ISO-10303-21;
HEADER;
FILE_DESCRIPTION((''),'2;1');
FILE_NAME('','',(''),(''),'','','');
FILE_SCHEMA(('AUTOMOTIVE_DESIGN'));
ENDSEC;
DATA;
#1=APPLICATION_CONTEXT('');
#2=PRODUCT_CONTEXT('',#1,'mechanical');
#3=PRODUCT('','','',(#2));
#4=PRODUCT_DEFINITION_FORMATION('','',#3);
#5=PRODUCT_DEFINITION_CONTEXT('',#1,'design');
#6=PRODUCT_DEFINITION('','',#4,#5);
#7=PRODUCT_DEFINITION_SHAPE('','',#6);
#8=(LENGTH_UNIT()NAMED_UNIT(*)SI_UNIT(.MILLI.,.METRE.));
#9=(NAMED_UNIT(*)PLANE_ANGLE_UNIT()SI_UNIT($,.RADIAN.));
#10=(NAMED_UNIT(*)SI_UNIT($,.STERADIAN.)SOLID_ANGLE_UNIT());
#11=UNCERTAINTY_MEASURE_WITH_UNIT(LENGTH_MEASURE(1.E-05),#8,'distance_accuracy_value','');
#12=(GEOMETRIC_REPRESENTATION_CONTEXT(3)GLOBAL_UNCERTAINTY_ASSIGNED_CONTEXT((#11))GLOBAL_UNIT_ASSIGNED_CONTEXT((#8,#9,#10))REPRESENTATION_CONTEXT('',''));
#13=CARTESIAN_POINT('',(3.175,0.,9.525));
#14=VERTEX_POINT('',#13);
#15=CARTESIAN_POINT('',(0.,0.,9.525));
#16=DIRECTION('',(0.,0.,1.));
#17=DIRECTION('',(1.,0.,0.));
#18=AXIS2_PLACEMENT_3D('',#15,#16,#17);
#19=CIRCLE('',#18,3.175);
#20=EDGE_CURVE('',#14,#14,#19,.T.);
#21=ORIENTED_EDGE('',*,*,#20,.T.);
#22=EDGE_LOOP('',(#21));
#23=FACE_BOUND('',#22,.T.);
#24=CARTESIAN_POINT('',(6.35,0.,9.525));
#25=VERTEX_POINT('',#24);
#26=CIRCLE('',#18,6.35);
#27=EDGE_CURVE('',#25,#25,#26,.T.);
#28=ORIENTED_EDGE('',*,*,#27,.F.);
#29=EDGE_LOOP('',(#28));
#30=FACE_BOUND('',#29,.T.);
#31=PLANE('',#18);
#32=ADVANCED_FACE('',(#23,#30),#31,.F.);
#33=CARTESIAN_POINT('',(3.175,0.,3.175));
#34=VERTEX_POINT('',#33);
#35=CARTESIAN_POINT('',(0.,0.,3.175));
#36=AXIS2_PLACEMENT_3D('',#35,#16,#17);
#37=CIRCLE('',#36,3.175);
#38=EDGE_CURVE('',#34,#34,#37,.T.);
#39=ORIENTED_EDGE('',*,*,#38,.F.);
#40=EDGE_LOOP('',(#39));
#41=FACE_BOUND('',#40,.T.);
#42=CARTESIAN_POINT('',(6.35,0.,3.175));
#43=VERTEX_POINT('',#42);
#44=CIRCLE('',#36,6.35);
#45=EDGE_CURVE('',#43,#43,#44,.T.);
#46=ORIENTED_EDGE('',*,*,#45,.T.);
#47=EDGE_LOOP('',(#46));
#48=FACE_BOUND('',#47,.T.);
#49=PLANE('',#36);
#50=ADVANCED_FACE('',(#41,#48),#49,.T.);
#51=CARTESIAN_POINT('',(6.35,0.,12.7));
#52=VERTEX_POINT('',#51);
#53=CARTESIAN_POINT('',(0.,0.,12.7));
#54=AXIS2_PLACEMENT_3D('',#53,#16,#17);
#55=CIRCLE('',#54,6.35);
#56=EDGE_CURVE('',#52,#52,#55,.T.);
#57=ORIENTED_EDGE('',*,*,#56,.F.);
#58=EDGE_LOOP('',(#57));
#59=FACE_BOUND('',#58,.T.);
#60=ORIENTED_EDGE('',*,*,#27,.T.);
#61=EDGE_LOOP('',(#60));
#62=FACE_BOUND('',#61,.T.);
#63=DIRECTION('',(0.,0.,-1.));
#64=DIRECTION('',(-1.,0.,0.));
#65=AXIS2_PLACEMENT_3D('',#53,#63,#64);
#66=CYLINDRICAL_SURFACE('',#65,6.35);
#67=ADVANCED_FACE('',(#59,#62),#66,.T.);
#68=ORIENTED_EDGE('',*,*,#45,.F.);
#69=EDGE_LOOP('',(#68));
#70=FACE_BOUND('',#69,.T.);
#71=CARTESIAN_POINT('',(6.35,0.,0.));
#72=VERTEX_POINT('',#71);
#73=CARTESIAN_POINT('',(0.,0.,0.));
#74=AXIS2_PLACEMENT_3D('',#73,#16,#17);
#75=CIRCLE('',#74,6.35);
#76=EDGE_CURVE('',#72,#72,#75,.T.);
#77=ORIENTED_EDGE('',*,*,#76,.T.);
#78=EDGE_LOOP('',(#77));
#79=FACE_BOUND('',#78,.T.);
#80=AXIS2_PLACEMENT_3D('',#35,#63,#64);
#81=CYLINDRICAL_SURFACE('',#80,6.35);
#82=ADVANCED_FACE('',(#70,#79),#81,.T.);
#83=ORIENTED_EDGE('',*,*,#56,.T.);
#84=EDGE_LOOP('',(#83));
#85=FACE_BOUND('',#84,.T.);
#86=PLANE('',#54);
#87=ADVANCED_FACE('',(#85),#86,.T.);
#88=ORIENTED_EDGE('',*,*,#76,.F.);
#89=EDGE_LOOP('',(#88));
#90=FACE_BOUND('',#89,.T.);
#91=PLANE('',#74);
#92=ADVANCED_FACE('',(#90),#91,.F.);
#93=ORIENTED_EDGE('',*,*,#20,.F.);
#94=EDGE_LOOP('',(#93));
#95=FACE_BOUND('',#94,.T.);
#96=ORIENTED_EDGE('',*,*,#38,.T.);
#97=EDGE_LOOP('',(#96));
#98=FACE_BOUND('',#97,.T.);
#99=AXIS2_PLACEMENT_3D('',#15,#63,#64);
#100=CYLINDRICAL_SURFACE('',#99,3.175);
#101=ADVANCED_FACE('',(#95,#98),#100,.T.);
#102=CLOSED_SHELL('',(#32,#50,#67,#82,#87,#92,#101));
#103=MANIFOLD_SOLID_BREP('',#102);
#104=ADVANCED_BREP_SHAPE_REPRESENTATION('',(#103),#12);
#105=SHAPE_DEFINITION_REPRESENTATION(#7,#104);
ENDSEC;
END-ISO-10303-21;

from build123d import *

# Parameters (mm, degrees)
SKETCH1_R           = 6.35
BOSS_EXTRUDE2_DEPTH = 3.175
SKETCH2_R           = 3.175
BOSS_EXTRUDE3_DEPTH = 6.35
SKETCH3_R           = 6.35
BOSS_EXTRUDE4_DEPTH = 3.175


with BuildPart() as part:
    # Sketch1 → Boss-Extrude2 (new body)
    with BuildSketch(Plane.XY):
        Circle(SKETCH1_R)
    extrude(amount=BOSS_EXTRUDE2_DEPTH)

    # Sketch2 → Boss-Extrude3 (add)
    with BuildSketch(Plane.XY.offset(3.175)):
        Circle(SKETCH2_R)
    extrude(amount=BOSS_EXTRUDE3_DEPTH)

    # Sketch3 → Boss-Extrude4 (add)
    with BuildSketch(Plane.XY.offset(9.525)):
        Circle(SKETCH3_R)
    extrude(amount=BOSS_EXTRUDE4_DEPTH)


solid = part.part
